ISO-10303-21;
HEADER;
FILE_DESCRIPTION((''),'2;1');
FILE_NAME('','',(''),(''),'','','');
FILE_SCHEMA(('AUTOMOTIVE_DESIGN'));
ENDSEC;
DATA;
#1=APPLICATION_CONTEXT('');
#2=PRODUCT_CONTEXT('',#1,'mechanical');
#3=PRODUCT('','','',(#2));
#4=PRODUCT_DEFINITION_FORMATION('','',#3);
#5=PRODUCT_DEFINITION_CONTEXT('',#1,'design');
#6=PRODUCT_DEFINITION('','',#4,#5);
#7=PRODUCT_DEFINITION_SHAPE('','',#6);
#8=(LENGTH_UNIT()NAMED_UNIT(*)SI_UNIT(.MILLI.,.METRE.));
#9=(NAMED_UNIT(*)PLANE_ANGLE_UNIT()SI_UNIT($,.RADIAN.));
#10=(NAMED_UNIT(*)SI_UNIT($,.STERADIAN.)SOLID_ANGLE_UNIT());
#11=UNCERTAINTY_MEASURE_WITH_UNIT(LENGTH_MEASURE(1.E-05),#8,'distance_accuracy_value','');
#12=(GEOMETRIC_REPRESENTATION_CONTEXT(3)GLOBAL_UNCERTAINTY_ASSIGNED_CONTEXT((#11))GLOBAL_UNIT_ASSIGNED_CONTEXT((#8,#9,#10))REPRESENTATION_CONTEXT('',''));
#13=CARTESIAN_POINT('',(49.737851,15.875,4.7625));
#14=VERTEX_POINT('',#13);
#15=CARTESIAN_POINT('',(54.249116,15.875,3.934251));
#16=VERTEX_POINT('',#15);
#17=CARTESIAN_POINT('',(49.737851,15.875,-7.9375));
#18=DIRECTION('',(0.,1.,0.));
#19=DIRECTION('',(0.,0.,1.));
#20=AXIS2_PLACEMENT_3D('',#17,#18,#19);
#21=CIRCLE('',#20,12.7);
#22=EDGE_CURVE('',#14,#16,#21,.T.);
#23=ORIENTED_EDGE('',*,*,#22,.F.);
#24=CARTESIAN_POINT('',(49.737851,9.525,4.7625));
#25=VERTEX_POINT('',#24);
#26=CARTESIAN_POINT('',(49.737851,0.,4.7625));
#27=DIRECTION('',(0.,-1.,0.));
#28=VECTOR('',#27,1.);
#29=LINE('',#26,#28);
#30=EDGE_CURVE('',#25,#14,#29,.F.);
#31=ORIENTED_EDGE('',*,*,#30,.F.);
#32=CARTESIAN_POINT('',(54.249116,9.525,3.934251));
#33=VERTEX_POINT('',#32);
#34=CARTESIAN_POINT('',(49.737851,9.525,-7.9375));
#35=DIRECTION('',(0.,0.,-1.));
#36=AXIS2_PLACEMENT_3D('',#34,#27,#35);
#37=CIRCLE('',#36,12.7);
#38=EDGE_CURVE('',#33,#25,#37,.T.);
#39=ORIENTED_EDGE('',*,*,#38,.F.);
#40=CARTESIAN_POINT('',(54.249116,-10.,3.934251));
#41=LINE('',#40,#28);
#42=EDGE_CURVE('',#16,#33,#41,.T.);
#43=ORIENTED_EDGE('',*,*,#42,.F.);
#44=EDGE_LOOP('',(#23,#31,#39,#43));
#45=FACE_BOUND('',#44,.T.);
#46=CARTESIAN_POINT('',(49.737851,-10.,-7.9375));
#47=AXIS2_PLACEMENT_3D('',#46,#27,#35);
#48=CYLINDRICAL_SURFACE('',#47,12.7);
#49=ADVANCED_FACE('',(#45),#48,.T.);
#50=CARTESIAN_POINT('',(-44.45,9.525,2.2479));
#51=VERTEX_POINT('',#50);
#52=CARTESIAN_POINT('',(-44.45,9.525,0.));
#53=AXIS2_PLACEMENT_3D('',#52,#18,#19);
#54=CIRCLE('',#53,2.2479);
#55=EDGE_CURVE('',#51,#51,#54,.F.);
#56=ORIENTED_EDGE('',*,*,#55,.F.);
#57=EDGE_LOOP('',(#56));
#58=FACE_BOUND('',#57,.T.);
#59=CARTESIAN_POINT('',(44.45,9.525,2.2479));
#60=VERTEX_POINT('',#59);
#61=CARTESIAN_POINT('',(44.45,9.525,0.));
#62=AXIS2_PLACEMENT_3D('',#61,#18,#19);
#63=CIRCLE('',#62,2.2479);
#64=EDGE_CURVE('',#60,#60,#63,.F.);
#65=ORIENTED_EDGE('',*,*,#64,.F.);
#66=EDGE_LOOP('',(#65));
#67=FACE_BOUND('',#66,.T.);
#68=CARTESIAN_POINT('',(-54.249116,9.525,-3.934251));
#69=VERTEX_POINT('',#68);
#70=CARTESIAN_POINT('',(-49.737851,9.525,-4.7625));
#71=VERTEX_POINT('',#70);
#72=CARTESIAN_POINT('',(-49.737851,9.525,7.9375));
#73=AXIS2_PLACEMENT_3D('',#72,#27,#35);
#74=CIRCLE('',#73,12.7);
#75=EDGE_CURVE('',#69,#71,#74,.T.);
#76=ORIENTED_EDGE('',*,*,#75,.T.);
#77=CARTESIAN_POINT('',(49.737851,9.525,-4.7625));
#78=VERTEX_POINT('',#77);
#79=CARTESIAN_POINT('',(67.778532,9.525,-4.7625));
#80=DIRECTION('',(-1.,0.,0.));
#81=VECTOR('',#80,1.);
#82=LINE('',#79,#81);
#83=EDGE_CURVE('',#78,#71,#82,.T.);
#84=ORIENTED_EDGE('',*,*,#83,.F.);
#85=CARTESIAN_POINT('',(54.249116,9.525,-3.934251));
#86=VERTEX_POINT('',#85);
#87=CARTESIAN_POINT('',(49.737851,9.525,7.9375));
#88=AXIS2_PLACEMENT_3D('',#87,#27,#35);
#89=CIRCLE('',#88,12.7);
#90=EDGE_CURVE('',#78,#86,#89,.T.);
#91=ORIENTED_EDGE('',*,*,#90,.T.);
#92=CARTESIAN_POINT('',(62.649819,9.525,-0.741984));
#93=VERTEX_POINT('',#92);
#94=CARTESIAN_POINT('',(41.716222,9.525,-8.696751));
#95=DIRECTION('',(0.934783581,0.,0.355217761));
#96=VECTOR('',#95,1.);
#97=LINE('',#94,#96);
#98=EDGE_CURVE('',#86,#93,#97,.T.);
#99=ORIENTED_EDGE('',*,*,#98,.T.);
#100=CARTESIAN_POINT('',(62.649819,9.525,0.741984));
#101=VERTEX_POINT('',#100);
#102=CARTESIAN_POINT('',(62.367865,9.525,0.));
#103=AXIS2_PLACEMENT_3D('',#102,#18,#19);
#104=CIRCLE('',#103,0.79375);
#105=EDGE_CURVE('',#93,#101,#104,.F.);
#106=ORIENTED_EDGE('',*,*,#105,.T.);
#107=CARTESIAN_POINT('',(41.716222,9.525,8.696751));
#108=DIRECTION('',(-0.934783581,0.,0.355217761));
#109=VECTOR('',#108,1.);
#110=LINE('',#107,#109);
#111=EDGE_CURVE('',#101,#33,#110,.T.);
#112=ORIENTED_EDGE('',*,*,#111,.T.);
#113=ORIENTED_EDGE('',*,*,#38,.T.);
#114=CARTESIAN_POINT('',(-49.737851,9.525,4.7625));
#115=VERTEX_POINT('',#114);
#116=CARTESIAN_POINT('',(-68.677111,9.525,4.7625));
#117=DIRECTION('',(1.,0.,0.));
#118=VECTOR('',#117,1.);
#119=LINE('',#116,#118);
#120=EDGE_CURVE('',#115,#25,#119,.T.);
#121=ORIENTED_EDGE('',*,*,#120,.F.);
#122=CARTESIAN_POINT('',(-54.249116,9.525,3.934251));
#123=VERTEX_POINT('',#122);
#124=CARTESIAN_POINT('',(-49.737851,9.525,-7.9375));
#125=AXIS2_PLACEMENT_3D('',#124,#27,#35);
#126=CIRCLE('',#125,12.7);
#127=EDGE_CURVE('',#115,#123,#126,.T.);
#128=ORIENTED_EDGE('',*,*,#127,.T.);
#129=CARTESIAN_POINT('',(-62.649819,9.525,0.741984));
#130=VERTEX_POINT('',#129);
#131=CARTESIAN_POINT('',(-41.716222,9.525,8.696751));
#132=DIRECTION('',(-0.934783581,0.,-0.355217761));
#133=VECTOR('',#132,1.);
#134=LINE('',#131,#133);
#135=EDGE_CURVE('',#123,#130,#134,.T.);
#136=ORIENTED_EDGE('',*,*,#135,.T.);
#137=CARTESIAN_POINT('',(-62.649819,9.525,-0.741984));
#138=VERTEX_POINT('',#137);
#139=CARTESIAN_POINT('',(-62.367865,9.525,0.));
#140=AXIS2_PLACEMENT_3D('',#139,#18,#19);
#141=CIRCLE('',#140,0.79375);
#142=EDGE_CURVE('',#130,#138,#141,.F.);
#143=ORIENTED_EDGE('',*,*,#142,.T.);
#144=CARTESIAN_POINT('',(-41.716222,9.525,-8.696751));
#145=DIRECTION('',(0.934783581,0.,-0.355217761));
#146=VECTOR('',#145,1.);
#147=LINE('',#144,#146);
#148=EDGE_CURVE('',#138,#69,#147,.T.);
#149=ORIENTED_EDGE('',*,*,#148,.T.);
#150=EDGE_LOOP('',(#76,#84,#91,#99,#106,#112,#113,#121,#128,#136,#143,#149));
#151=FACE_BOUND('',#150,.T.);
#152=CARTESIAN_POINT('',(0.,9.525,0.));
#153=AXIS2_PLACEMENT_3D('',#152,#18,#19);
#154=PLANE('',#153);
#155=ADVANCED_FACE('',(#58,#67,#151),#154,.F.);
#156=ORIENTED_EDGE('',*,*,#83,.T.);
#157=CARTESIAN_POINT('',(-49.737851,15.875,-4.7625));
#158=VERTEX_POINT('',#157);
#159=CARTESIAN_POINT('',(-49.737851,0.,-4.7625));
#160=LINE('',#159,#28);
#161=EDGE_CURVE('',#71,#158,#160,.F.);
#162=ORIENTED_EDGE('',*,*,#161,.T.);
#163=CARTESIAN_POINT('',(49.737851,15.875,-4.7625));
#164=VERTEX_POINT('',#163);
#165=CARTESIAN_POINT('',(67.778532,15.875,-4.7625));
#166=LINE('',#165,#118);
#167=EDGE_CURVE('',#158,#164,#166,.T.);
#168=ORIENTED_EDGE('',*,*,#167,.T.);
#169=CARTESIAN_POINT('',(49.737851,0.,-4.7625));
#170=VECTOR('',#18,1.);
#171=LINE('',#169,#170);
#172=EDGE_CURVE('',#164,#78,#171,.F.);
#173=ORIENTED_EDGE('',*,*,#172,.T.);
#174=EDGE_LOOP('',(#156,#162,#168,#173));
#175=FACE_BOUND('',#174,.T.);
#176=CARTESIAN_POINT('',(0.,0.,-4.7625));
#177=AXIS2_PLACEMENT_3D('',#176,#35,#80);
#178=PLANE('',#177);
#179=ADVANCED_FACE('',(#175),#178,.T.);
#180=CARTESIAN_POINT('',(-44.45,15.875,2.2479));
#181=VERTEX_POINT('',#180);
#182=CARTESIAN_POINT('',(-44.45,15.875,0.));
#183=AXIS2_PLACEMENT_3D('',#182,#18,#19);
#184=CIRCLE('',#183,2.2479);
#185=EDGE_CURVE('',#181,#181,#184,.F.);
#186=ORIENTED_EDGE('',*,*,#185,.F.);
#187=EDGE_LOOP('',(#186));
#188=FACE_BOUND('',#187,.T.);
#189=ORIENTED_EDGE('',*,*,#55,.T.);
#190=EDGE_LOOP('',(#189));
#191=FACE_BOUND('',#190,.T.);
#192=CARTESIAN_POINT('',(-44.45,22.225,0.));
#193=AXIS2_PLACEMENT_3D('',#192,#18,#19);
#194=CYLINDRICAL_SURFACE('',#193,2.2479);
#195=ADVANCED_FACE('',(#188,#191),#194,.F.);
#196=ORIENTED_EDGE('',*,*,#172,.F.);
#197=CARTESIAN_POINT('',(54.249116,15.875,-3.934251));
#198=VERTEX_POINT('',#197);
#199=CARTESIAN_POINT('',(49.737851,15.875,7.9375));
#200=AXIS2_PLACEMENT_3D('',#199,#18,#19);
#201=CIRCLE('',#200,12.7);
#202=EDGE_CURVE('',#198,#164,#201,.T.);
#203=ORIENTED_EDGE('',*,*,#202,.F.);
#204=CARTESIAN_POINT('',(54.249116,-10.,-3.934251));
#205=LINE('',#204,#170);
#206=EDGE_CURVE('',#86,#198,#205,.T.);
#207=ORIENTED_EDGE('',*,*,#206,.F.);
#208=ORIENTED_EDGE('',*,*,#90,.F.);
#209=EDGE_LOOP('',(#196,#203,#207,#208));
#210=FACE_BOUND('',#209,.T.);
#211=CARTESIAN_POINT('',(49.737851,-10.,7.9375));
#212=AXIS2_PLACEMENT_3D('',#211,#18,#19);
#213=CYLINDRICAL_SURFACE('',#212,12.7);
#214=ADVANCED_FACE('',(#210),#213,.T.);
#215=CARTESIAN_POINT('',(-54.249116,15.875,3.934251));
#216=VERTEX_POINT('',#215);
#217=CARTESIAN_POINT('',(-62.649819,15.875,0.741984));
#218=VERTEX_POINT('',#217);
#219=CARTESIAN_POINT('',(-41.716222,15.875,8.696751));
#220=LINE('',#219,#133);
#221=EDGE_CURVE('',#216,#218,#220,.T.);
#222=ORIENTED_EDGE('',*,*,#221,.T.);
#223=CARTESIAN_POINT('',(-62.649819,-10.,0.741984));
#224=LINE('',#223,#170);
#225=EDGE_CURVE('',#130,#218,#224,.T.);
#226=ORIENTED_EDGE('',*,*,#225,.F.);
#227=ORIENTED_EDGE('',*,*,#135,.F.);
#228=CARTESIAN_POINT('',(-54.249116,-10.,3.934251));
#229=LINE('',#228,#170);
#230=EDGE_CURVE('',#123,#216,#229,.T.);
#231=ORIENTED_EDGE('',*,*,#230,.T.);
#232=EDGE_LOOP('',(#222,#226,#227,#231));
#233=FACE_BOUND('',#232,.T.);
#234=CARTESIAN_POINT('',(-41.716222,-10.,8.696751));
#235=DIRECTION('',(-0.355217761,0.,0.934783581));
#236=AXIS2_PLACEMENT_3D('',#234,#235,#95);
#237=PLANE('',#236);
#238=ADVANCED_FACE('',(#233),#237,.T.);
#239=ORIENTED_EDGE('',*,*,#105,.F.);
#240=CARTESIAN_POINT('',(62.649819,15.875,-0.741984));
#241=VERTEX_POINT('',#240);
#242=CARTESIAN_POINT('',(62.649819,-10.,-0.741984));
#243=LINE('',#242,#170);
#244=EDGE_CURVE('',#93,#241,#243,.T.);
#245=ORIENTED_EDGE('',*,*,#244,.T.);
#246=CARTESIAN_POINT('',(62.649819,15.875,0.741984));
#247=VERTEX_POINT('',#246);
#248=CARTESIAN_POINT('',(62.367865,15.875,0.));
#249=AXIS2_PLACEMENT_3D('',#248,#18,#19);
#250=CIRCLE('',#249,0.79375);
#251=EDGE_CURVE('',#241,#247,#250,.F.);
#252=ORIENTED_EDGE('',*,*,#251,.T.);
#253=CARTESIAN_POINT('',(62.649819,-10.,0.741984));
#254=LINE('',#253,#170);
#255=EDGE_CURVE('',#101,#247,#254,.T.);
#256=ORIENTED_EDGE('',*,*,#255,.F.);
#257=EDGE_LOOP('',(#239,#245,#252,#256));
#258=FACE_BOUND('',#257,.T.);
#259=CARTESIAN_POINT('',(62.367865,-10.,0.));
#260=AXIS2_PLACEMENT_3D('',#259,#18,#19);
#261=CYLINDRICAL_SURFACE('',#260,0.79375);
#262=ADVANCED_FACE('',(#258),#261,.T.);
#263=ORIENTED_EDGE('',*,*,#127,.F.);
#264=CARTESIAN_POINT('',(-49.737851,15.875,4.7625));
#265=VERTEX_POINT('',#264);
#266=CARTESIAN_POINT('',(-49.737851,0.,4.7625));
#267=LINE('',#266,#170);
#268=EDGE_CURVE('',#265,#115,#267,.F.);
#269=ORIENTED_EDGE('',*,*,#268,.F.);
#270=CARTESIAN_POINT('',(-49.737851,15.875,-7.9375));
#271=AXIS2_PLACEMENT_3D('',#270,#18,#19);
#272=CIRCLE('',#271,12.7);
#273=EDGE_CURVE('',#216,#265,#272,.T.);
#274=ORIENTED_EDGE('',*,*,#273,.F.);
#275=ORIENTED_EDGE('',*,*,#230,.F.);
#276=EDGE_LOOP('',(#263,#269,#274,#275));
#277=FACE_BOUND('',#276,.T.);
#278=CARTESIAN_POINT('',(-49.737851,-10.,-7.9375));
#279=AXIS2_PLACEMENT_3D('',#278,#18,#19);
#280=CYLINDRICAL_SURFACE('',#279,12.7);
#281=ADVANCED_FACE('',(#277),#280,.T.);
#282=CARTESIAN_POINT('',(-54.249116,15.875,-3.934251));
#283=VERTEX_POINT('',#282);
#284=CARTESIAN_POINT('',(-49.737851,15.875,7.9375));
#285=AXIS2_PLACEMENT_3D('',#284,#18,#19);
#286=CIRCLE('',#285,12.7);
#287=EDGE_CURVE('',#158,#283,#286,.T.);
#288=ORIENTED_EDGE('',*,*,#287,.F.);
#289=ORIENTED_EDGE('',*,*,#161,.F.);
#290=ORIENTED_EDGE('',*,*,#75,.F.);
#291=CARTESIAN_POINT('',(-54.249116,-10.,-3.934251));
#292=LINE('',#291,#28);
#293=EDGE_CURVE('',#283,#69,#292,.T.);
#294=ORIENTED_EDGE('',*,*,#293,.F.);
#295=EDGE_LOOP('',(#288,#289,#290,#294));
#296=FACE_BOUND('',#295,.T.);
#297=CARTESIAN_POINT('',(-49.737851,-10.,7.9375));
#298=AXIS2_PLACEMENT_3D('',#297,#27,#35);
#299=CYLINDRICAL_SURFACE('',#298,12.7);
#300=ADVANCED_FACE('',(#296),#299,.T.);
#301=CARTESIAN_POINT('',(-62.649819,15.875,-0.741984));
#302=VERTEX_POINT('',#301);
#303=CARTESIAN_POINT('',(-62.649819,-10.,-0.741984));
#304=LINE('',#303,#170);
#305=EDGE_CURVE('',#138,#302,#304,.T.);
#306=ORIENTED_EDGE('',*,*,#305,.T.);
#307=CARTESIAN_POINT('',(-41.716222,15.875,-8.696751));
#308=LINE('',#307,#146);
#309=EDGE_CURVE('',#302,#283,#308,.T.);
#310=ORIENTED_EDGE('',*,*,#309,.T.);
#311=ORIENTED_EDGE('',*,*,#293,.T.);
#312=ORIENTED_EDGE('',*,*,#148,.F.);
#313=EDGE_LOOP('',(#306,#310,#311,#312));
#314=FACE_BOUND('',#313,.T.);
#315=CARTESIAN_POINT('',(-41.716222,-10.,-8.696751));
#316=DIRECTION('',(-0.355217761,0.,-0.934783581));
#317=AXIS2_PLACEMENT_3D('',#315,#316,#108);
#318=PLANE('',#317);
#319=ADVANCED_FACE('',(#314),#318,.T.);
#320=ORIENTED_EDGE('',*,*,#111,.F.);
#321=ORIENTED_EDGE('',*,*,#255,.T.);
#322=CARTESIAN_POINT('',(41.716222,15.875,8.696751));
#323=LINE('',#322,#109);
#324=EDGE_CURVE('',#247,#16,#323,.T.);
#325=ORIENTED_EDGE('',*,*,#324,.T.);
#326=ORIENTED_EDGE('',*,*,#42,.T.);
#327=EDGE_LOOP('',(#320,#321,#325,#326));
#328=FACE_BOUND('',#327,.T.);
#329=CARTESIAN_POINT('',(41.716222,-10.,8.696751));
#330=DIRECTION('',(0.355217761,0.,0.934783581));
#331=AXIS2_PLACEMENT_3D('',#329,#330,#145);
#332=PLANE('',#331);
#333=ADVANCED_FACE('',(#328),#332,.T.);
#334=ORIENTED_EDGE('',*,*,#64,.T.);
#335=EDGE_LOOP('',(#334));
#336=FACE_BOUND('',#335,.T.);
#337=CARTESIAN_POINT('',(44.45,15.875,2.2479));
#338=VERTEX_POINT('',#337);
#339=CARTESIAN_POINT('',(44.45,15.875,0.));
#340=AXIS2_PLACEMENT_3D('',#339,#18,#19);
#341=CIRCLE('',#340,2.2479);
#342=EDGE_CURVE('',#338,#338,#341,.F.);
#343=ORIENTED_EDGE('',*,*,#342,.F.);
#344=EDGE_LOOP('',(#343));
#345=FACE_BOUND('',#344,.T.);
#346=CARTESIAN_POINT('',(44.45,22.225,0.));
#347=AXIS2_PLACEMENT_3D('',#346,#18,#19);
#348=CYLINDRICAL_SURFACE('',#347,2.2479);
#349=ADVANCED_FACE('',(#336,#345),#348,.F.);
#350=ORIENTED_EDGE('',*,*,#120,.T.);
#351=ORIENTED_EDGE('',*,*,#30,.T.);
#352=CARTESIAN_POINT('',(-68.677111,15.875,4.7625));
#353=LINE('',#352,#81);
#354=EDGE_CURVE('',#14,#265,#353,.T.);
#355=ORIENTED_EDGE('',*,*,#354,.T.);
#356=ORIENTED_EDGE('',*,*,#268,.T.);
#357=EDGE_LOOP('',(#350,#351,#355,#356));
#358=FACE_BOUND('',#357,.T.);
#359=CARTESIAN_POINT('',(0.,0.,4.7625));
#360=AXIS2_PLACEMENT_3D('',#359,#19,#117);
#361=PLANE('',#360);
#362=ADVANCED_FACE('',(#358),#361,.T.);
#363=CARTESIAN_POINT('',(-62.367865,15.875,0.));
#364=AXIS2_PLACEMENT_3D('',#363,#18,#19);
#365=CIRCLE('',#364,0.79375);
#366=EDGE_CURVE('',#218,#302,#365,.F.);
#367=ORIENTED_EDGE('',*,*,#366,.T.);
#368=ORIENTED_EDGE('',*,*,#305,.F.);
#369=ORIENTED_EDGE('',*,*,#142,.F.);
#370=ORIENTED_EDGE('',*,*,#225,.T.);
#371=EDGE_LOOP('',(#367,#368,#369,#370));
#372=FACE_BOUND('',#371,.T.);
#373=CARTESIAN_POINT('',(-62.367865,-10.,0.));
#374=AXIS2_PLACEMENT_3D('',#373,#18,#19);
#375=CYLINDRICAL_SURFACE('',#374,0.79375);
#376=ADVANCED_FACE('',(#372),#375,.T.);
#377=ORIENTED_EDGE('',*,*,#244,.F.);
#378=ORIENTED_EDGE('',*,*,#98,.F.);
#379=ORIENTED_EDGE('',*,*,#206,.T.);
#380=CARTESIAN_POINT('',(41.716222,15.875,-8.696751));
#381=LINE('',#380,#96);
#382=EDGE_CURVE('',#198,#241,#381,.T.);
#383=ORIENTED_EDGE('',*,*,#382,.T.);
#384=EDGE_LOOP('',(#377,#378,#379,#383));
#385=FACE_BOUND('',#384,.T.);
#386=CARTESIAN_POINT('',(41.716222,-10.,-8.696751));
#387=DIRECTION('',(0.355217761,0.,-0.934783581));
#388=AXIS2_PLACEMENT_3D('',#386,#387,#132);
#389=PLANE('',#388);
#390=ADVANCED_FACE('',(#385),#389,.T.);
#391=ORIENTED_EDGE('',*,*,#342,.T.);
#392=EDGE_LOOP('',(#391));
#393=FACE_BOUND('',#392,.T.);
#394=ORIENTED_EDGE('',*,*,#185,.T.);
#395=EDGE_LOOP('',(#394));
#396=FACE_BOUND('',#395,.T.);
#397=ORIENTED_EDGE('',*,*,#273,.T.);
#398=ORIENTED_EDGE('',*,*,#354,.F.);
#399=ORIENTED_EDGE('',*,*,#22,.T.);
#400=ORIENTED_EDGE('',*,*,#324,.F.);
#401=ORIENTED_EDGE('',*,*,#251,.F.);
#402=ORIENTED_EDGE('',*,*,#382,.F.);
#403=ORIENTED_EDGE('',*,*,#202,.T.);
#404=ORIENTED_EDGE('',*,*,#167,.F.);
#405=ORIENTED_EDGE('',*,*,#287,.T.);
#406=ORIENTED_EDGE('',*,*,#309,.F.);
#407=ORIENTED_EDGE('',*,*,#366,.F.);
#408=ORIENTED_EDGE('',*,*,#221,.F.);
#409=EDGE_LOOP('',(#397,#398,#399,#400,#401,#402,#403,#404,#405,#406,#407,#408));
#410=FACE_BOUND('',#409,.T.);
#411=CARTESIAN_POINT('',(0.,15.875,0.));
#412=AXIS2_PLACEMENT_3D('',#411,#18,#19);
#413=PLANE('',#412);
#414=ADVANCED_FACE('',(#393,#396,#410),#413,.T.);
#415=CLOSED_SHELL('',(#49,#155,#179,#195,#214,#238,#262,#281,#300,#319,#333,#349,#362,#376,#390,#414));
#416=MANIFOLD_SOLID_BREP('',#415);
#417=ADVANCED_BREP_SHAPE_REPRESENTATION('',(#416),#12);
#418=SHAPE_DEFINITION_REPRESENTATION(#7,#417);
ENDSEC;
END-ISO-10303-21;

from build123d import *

# Parameters (mm, degrees)
BOSS_EXTRUDE2_DEPTH                               = 22.225
BOSS_EXTRUDE2_DEPTH_BACK                          = 10
SKETCH2_W                                         = 153.14353988
SKETCH2_H                                         = 6.35
CUT_EXTRUDE1_DEPTH                                = 4.7625
SKETCH3_W                                         = 152.758434582
SKETCH3_H                                         = 6.35
CUT_EXTRUDE2_DEPTH                                = 4.7625
FILLET3_R                                         = 12.7
FILLET4_R                                         = 12.7
FILLET5_R                                         = 12.7
FILLET6_R                                         = 12.7
CUT_EXTRUDE3_DEPTH                                = 94.675
CUT_EXTRUDE3_DEPTH_BACK                           = 84.675
SKETCH12_R                                        = 168.402
CSK_FOR_8_FLAT_HEAD_SOCKET_CAP_SCREW2_D           = 4.4958
CSK_FOR_8_FLAT_HEAD_SOCKET_CAP_SCREW2_CSINK_D     = 9.1186
CSK_FOR_8_FLAT_HEAD_SOCKET_CAP_SCREW2_CSINK_ANGLE = 82
SKETCH25_W                                        = 151.836061676
SKETCH25_H                                        = 46.299624525
CUT_EXTRUDE4_DEPTH                                = 10.16
SKETCH26_W                                        = 138.514547674
SKETCH26_H                                        = 27.845278494
CUT_EXTRUDE5_DEPTH                                = 23.368


with BuildPart() as part:
    # Sketch1 → Boss-Extrude2 (new, two sides: drawn at the far end of the back side and taken through both)
    with BuildSketch(Plane(origin=(0, 0, 0), x_dir=(1, 0, 0), z_dir=(0, 1, 0)).offset(-BOSS_EXTRUDE2_DEPTH_BACK)):
        with BuildLine():
            Line((37.204956004, 9.525), (-37.204956004, 9.525))
            ThreePointArc((-37.204956004, 9.525), (-39.498289417, 9.316221792), (-41.716221563, 8.696751473))
            Line((-41.716221563, 8.696751473), (-62.649818949, 0.741984467))
            ThreePointArc((-62.649818949, 0.741984467), (-63.161614851, 0), (-62.649818949, -0.741984467))
            Line((-62.649818949, -0.741984467), (-41.716221563, -8.696751473))
            ThreePointArc((-41.716221563, -8.696751473), (-39.498289417, -9.316221792), (-37.204956004, -9.525))
            Line((-37.204956004, -9.525), (37.204956004, -9.525))
            ThreePointArc((37.204956004, -9.525), (39.498289417, -9.316221792), (41.716221563, -8.696751473))
            Line((41.716221563, -8.696751473), (62.649818949, -0.741984467))
            ThreePointArc((62.649818949, -0.741984467), (63.161614851, 0), (62.649818949, 0.741984467))
            Line((62.649818949, 0.741984467), (41.716221563, 8.696751473))
            ThreePointArc((41.716221563, 8.696751473), (39.498289417, 9.316221792), (37.204956004, 9.525))
        make_face()
    extrude(amount=BOSS_EXTRUDE2_DEPTH + BOSS_EXTRUDE2_DEPTH_BACK)

    # Sketch2 → Cut-Extrude1 (cut)
    with BuildSketch(Plane.XY.offset(9.525)):
        with Locations((7.894658594, 12.7)):
            Rectangle(SKETCH2_W, SKETCH2_H)
    extrude(amount=-CUT_EXTRUDE1_DEPTH, mode=Mode.SUBTRACT)

    # Sketch3 → Cut-Extrude2 (cut)
    with BuildSketch(Plane(origin=(0, 0, -9.525), x_dir=(-1, 0, 0), z_dir=(0, 0, -1))):
        with Locations((8.600684972, 12.7)):
            Rectangle(SKETCH3_W, SKETCH3_H)
    extrude(amount=-CUT_EXTRUDE2_DEPTH, mode=Mode.SUBTRACT)

    # Fillet3
    fillet3_edges = [part.edges().sort_by_distance(p)[0] for p in [
        (52.069514915, 12.7, -4.7625),
    ]]
    fillet(fillet3_edges, radius=FILLET3_R)

    # Fillet4
    fillet4_edges = [part.edges().sort_by_distance(p)[0] for p in [
        (52.069514915, 12.7, 4.7625),
    ]]
    fillet(fillet4_edges, radius=FILLET4_R)

    # Fillet5
    fillet5_edges = [part.edges().sort_by_distance(p)[0] for p in [
        (-52.069514915, 12.7, 4.7625),
    ]]
    fillet(fillet5_edges, radius=FILLET5_R)

    # Fillet6
    fillet6_edges = [part.edges().sort_by_distance(p)[0] for p in [
        (-52.069514915, 12.7, -4.7625),
    ]]
    fillet(fillet6_edges, radius=FILLET6_R)

    # Sketch12 → Cut-Extrude3 (cut, two sides: drawn at the far end of the back side and taken through both)
    with BuildSketch(Plane(origin=(0, 0, 0), x_dir=(0, 0, -1), z_dir=(1, 0, 0)).offset(-CUT_EXTRUDE3_DEPTH_BACK)):
        with Locations((0, -168.402)):
            Circle(SKETCH12_R)
    extrude(amount=CUT_EXTRUDE3_DEPTH + CUT_EXTRUDE3_DEPTH_BACK, mode=Mode.SUBTRACT)

    # CSK for #8 Flat Head Socket Cap Screw2 (through all)
    with Locations(Plane(origin=(0, 22.225, 0), x_dir=(1, 0, 0), z_dir=(0, 1, 0))):
        with Locations((-44.45, 0), (44.45, 0)):
            CounterSinkHole(CSK_FOR_8_FLAT_HEAD_SOCKET_CAP_SCREW2_D / 2, CSK_FOR_8_FLAT_HEAD_SOCKET_CAP_SCREW2_CSINK_D / 2, counter_sink_angle=CSK_FOR_8_FLAT_HEAD_SOCKET_CAP_SCREW2_CSINK_ANGLE)

    # Sketch25 → Cut-Extrude4 (cut)
    with BuildSketch(Plane(origin=(0, 15.875, 0), x_dir=(1, 0, 0), z_dir=(0, 1, 0))):
        with Locations((2.779627567, -6.342868994)):
            Rectangle(SKETCH25_W, SKETCH25_H)
    extrude(amount=CUT_EXTRUDE4_DEPTH, mode=Mode.SUBTRACT)

    # Sketch26 → Cut-Extrude5 (cut)
    with BuildSketch(Plane(origin=(0, 9.525, 0), x_dir=(1, 0, 0), z_dir=(0, 1, 0))):
        with Locations((0.08280518, -0.921909218)):
            Rectangle(SKETCH26_W, SKETCH26_H)
    extrude(amount=-CUT_EXTRUDE5_DEPTH, mode=Mode.SUBTRACT)


solid = part.part
